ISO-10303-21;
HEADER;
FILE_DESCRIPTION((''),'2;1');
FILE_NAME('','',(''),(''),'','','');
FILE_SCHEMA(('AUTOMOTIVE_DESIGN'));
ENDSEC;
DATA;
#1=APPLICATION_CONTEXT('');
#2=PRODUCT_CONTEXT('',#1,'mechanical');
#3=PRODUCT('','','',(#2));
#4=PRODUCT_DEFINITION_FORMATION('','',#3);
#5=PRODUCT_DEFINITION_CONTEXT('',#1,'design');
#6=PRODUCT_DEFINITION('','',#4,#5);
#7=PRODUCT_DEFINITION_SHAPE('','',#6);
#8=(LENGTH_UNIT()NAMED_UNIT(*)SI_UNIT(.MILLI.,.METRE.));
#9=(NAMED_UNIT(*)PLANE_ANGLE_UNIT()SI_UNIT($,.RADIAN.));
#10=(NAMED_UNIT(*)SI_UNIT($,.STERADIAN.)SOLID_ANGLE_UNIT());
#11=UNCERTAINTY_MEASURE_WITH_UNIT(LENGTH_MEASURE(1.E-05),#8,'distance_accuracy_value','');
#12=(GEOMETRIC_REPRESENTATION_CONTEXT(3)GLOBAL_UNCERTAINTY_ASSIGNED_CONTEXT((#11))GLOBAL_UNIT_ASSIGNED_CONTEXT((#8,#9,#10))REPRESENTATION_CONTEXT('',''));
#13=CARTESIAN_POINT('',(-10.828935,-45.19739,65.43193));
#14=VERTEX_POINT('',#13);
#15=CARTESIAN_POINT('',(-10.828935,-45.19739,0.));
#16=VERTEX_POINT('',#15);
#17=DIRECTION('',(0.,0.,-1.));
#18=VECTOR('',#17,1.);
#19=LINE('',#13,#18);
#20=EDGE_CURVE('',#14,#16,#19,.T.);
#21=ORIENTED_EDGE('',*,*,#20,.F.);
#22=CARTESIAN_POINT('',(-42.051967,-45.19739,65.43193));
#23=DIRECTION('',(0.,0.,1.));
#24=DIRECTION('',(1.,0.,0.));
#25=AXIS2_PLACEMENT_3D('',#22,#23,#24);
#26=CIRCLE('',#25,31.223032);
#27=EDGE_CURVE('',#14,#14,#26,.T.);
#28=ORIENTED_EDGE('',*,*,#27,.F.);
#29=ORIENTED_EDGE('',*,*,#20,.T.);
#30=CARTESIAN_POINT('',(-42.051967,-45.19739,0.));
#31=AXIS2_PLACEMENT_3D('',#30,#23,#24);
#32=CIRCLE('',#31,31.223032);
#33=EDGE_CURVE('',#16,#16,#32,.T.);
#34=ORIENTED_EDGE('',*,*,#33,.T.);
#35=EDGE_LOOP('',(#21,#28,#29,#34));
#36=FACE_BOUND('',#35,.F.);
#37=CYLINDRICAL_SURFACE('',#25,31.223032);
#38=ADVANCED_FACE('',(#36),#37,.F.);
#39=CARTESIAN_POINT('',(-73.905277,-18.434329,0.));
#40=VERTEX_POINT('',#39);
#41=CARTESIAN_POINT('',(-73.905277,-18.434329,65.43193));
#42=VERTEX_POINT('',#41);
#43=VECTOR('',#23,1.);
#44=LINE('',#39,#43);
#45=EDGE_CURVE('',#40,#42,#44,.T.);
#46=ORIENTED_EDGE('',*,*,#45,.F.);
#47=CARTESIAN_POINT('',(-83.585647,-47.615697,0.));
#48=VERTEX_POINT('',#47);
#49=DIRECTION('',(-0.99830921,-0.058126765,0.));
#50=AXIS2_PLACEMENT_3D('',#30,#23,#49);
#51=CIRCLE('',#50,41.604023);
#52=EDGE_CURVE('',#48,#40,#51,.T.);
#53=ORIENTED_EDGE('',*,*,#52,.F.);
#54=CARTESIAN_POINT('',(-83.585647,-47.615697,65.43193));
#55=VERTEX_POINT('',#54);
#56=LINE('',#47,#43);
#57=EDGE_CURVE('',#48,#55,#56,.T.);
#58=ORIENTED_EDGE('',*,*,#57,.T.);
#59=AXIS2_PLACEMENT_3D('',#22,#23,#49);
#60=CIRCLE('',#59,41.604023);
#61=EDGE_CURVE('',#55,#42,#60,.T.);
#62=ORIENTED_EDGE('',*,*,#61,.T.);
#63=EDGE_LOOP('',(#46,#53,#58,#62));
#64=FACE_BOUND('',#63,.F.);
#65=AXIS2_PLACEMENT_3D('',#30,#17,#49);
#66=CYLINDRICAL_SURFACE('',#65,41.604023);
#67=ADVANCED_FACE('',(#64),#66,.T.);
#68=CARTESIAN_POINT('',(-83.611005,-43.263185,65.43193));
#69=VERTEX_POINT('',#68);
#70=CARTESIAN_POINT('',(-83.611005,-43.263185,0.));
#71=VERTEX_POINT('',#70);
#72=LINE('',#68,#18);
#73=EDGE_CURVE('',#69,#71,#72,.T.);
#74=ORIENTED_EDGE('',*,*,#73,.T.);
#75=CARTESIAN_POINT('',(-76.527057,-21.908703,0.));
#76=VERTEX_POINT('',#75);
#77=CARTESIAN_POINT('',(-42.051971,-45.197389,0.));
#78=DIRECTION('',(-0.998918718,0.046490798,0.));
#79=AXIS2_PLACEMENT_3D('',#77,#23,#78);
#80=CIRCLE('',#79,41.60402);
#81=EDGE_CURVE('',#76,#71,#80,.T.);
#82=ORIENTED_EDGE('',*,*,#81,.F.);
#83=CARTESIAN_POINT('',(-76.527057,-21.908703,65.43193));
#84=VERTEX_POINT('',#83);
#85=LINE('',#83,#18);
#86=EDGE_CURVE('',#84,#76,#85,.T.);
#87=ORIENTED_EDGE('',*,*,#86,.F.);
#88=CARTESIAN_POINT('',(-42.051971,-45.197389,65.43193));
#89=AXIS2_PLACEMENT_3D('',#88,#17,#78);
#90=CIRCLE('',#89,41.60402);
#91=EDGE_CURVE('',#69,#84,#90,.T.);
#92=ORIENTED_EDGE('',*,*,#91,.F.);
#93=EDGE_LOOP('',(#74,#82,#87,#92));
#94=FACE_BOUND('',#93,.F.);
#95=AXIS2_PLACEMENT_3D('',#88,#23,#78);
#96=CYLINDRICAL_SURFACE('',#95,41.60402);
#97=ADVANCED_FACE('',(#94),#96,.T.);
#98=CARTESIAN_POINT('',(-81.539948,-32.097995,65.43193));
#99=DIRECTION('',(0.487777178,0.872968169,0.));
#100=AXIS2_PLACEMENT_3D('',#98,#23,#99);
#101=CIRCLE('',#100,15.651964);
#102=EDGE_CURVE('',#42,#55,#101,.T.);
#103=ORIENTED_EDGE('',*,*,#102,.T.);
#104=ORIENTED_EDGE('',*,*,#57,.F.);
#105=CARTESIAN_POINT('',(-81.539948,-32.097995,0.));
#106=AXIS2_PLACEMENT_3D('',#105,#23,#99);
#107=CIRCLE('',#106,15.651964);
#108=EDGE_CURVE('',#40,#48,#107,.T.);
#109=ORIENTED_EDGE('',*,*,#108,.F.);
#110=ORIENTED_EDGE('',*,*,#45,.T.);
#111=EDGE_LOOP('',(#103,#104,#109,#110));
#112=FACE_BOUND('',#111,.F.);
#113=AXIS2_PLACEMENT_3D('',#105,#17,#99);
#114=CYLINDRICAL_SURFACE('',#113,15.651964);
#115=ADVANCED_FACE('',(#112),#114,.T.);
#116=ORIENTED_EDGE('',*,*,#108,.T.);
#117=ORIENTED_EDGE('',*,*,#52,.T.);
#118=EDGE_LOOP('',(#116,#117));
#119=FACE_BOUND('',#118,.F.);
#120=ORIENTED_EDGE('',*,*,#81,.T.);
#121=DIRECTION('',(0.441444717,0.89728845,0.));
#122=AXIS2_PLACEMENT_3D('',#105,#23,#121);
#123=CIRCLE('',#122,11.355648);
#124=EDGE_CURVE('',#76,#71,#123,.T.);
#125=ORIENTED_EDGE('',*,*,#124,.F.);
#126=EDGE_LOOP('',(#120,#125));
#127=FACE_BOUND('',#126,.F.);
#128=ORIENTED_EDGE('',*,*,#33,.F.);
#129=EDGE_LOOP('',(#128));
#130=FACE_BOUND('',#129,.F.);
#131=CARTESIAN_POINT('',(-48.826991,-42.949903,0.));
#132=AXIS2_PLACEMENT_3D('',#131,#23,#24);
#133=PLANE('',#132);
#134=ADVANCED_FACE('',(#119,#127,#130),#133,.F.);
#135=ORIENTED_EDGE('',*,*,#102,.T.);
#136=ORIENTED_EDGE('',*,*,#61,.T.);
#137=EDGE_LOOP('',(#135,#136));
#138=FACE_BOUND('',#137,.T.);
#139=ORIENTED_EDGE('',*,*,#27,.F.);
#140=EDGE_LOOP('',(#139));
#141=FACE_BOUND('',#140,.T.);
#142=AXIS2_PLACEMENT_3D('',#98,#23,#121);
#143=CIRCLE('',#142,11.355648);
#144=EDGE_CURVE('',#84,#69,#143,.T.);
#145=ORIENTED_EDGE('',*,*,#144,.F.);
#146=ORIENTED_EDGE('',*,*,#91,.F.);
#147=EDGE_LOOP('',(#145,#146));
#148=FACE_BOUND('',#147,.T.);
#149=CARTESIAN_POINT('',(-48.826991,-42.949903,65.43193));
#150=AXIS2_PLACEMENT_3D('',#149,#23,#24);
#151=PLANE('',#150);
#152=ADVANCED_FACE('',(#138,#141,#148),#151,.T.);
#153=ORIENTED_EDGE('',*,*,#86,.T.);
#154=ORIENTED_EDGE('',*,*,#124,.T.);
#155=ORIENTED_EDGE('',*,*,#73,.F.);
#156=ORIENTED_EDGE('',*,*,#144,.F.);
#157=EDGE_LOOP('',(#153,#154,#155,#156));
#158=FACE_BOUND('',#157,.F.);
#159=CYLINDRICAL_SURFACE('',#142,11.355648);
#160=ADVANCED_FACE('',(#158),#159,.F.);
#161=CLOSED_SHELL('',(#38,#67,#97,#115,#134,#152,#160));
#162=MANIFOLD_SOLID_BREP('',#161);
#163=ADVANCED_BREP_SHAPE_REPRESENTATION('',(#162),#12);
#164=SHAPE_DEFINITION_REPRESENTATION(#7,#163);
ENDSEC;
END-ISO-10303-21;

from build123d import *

# Parameters (mm, degrees)
F1_DEPTH = 65.43193
F2_R     = 31.223032
F3_DEPTH = 109.98878
F5_DEPTH = 101.69795


with BuildPart() as f1:
    # F0 (on Top) → F1 (new body)
    with BuildSketch(Plane.XY):
        with BuildLine():
            ThreePointArc((-73.905277, -18.434329), (-96.395829, -27.169836), (-83.585647, -47.615697))
            ThreePointArc((-83.585647, -47.615697), (-2.563987, -58.296785), (-73.905277, -18.434329))
        make_face()
    extrude(amount=F1_DEPTH)

    # F2 (on face) → F3 (cut)
    with BuildSketch(Plane.XY.offset(65.43193)):
        with Locations((-42.051967, -45.19739)):
            Circle(F2_R)
    extrude(amount=-F3_DEPTH, mode=Mode.SUBTRACT)

    # F4 (on face) → F5 (cut)
    with BuildSketch(Plane.XY.offset(65.43193)):
        with BuildLine():
            ThreePointArc((-83.611005, -43.263185), (-81.539948, -32.097995), (-76.527057, -21.908703))
            ThreePointArc((-76.527057, -21.908703), (-92.318031, -28.522569), (-83.611005, -43.263185))
        make_face()
    extrude(amount=-F5_DEPTH, mode=Mode.SUBTRACT)


solid = f1.part
